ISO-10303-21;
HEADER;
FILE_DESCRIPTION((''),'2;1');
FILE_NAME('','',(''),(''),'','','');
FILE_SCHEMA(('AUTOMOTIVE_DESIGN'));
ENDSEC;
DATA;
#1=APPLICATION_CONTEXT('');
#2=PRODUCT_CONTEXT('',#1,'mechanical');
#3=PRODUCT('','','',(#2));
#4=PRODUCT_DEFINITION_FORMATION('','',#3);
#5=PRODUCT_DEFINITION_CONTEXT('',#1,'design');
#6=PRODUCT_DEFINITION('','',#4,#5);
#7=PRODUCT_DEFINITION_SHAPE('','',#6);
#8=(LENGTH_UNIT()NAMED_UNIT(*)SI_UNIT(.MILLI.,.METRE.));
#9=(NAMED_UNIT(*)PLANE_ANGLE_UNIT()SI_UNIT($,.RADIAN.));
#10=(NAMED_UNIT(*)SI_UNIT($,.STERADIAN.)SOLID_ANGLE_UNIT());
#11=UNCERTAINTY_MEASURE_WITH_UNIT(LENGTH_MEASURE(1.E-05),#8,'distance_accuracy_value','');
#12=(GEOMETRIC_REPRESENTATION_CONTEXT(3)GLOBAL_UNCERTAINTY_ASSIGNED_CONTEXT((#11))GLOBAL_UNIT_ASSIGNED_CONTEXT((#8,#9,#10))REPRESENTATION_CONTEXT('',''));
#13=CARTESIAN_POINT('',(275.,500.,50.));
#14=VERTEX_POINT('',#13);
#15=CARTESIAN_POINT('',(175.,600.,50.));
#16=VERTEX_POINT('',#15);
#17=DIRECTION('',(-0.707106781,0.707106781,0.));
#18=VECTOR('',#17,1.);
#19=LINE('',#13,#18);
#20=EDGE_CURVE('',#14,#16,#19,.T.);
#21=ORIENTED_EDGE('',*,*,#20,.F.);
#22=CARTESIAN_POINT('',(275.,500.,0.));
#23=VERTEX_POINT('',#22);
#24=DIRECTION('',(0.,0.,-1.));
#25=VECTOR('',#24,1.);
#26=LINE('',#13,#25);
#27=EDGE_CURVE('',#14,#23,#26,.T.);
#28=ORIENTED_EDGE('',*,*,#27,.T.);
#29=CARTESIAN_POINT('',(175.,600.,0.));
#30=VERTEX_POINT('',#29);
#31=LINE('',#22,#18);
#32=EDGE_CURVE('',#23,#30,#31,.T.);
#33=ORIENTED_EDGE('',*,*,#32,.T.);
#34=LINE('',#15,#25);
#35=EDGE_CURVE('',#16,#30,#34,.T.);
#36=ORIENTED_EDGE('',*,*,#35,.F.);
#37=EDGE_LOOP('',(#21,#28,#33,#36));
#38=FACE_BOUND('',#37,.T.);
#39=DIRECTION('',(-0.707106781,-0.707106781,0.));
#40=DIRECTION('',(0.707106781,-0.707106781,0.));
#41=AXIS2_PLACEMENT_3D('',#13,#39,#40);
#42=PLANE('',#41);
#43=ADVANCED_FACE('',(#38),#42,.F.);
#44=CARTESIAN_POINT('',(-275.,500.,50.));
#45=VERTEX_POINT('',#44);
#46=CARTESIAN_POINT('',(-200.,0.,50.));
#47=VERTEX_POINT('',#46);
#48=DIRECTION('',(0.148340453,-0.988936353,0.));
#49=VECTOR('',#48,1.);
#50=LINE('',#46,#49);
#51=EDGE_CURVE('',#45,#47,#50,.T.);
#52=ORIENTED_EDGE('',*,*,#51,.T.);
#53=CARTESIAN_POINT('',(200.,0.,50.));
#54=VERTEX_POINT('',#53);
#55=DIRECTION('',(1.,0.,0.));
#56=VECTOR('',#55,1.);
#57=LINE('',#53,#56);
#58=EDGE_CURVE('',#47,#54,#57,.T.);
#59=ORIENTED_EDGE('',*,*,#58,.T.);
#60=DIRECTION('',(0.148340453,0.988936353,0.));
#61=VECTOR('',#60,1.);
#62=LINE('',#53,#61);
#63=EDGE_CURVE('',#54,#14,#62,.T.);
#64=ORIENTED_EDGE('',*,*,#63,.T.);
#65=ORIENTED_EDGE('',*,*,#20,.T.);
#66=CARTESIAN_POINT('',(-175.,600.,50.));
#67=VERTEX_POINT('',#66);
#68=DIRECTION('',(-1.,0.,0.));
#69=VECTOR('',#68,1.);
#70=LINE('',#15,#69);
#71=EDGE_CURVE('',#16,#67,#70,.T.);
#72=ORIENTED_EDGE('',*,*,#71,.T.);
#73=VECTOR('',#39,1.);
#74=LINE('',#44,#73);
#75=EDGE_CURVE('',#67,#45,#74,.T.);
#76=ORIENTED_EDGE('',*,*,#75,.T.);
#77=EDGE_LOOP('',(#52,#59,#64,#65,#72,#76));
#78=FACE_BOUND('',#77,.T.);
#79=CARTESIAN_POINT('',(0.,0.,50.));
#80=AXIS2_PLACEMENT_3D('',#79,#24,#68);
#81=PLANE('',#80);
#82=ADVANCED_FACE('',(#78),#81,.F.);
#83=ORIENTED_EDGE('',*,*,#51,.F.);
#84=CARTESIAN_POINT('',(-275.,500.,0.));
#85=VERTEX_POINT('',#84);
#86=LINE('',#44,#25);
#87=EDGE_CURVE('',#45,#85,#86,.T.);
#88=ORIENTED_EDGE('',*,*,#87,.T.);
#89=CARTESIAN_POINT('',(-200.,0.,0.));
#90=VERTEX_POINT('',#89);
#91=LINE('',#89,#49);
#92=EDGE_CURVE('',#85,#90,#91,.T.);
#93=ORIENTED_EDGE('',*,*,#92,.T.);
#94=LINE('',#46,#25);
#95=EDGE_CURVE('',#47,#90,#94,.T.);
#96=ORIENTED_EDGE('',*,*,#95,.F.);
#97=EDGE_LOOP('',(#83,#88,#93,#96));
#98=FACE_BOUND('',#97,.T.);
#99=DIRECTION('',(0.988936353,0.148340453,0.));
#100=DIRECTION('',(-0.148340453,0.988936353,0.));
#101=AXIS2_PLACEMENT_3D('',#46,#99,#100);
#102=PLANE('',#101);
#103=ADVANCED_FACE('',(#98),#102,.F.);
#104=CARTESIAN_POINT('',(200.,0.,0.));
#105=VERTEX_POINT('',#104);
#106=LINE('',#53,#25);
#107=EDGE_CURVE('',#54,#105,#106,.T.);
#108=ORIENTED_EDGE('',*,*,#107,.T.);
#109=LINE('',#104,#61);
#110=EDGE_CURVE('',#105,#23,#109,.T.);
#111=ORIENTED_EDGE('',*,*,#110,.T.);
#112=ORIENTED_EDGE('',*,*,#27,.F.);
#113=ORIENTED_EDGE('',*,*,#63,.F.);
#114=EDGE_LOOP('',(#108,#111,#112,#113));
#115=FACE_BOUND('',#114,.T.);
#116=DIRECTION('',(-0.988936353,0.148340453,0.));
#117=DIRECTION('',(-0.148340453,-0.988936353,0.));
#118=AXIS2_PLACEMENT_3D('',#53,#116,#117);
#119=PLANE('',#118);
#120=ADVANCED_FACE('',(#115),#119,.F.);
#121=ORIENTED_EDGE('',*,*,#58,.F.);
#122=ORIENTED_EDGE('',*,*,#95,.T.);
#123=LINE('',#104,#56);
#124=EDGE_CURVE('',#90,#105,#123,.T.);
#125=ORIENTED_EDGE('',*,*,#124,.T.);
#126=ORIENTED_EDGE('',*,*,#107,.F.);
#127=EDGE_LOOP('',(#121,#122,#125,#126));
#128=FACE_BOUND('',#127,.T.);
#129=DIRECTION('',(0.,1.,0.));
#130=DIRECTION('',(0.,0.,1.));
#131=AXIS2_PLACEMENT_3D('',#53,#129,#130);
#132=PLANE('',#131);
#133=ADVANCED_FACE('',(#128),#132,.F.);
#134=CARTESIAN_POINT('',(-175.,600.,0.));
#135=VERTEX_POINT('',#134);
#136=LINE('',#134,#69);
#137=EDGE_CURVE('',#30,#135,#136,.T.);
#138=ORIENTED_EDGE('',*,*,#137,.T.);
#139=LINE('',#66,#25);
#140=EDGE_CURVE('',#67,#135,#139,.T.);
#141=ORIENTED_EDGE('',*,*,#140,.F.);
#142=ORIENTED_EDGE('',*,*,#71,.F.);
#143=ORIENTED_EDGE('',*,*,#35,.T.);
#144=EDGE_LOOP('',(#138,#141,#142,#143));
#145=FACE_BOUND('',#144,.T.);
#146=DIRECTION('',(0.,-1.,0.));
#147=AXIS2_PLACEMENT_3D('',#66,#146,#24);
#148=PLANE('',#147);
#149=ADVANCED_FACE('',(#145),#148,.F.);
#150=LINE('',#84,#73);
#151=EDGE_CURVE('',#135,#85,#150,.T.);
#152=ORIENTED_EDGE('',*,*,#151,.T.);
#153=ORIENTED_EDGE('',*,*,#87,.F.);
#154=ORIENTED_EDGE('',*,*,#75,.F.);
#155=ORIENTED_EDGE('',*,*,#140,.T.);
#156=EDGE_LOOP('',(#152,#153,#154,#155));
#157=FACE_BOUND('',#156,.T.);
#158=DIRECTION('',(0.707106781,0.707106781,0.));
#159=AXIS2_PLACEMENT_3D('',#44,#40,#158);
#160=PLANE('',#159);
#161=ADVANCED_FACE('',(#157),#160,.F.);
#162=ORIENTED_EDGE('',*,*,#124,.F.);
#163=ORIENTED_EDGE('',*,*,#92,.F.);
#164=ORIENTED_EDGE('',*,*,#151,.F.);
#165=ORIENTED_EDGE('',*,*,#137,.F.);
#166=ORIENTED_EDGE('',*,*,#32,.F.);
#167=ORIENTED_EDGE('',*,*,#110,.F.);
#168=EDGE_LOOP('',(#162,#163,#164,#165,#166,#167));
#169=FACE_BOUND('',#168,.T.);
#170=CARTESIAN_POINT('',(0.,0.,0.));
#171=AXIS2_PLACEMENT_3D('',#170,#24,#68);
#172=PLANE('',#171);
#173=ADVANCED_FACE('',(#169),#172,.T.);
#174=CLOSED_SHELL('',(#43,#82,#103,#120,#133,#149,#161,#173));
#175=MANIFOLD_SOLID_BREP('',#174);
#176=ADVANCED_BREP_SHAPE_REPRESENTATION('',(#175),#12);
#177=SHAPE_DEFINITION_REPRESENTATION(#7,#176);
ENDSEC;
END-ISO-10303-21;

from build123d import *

# Parameters (mm, degrees)
BOSS_EXTRUDE1_DEPTH = 50


with BuildPart() as part:
    # Sketch1 → Boss-Extrude1 (new body)
    with BuildSketch(Plane.XY):
        Polygon((200, 0), (-200, 0), (-275, 500), (-175, 600), (0, 600), (175, 600), (275, 500), align=None)
    extrude(amount=BOSS_EXTRUDE1_DEPTH)


solid = part.part
